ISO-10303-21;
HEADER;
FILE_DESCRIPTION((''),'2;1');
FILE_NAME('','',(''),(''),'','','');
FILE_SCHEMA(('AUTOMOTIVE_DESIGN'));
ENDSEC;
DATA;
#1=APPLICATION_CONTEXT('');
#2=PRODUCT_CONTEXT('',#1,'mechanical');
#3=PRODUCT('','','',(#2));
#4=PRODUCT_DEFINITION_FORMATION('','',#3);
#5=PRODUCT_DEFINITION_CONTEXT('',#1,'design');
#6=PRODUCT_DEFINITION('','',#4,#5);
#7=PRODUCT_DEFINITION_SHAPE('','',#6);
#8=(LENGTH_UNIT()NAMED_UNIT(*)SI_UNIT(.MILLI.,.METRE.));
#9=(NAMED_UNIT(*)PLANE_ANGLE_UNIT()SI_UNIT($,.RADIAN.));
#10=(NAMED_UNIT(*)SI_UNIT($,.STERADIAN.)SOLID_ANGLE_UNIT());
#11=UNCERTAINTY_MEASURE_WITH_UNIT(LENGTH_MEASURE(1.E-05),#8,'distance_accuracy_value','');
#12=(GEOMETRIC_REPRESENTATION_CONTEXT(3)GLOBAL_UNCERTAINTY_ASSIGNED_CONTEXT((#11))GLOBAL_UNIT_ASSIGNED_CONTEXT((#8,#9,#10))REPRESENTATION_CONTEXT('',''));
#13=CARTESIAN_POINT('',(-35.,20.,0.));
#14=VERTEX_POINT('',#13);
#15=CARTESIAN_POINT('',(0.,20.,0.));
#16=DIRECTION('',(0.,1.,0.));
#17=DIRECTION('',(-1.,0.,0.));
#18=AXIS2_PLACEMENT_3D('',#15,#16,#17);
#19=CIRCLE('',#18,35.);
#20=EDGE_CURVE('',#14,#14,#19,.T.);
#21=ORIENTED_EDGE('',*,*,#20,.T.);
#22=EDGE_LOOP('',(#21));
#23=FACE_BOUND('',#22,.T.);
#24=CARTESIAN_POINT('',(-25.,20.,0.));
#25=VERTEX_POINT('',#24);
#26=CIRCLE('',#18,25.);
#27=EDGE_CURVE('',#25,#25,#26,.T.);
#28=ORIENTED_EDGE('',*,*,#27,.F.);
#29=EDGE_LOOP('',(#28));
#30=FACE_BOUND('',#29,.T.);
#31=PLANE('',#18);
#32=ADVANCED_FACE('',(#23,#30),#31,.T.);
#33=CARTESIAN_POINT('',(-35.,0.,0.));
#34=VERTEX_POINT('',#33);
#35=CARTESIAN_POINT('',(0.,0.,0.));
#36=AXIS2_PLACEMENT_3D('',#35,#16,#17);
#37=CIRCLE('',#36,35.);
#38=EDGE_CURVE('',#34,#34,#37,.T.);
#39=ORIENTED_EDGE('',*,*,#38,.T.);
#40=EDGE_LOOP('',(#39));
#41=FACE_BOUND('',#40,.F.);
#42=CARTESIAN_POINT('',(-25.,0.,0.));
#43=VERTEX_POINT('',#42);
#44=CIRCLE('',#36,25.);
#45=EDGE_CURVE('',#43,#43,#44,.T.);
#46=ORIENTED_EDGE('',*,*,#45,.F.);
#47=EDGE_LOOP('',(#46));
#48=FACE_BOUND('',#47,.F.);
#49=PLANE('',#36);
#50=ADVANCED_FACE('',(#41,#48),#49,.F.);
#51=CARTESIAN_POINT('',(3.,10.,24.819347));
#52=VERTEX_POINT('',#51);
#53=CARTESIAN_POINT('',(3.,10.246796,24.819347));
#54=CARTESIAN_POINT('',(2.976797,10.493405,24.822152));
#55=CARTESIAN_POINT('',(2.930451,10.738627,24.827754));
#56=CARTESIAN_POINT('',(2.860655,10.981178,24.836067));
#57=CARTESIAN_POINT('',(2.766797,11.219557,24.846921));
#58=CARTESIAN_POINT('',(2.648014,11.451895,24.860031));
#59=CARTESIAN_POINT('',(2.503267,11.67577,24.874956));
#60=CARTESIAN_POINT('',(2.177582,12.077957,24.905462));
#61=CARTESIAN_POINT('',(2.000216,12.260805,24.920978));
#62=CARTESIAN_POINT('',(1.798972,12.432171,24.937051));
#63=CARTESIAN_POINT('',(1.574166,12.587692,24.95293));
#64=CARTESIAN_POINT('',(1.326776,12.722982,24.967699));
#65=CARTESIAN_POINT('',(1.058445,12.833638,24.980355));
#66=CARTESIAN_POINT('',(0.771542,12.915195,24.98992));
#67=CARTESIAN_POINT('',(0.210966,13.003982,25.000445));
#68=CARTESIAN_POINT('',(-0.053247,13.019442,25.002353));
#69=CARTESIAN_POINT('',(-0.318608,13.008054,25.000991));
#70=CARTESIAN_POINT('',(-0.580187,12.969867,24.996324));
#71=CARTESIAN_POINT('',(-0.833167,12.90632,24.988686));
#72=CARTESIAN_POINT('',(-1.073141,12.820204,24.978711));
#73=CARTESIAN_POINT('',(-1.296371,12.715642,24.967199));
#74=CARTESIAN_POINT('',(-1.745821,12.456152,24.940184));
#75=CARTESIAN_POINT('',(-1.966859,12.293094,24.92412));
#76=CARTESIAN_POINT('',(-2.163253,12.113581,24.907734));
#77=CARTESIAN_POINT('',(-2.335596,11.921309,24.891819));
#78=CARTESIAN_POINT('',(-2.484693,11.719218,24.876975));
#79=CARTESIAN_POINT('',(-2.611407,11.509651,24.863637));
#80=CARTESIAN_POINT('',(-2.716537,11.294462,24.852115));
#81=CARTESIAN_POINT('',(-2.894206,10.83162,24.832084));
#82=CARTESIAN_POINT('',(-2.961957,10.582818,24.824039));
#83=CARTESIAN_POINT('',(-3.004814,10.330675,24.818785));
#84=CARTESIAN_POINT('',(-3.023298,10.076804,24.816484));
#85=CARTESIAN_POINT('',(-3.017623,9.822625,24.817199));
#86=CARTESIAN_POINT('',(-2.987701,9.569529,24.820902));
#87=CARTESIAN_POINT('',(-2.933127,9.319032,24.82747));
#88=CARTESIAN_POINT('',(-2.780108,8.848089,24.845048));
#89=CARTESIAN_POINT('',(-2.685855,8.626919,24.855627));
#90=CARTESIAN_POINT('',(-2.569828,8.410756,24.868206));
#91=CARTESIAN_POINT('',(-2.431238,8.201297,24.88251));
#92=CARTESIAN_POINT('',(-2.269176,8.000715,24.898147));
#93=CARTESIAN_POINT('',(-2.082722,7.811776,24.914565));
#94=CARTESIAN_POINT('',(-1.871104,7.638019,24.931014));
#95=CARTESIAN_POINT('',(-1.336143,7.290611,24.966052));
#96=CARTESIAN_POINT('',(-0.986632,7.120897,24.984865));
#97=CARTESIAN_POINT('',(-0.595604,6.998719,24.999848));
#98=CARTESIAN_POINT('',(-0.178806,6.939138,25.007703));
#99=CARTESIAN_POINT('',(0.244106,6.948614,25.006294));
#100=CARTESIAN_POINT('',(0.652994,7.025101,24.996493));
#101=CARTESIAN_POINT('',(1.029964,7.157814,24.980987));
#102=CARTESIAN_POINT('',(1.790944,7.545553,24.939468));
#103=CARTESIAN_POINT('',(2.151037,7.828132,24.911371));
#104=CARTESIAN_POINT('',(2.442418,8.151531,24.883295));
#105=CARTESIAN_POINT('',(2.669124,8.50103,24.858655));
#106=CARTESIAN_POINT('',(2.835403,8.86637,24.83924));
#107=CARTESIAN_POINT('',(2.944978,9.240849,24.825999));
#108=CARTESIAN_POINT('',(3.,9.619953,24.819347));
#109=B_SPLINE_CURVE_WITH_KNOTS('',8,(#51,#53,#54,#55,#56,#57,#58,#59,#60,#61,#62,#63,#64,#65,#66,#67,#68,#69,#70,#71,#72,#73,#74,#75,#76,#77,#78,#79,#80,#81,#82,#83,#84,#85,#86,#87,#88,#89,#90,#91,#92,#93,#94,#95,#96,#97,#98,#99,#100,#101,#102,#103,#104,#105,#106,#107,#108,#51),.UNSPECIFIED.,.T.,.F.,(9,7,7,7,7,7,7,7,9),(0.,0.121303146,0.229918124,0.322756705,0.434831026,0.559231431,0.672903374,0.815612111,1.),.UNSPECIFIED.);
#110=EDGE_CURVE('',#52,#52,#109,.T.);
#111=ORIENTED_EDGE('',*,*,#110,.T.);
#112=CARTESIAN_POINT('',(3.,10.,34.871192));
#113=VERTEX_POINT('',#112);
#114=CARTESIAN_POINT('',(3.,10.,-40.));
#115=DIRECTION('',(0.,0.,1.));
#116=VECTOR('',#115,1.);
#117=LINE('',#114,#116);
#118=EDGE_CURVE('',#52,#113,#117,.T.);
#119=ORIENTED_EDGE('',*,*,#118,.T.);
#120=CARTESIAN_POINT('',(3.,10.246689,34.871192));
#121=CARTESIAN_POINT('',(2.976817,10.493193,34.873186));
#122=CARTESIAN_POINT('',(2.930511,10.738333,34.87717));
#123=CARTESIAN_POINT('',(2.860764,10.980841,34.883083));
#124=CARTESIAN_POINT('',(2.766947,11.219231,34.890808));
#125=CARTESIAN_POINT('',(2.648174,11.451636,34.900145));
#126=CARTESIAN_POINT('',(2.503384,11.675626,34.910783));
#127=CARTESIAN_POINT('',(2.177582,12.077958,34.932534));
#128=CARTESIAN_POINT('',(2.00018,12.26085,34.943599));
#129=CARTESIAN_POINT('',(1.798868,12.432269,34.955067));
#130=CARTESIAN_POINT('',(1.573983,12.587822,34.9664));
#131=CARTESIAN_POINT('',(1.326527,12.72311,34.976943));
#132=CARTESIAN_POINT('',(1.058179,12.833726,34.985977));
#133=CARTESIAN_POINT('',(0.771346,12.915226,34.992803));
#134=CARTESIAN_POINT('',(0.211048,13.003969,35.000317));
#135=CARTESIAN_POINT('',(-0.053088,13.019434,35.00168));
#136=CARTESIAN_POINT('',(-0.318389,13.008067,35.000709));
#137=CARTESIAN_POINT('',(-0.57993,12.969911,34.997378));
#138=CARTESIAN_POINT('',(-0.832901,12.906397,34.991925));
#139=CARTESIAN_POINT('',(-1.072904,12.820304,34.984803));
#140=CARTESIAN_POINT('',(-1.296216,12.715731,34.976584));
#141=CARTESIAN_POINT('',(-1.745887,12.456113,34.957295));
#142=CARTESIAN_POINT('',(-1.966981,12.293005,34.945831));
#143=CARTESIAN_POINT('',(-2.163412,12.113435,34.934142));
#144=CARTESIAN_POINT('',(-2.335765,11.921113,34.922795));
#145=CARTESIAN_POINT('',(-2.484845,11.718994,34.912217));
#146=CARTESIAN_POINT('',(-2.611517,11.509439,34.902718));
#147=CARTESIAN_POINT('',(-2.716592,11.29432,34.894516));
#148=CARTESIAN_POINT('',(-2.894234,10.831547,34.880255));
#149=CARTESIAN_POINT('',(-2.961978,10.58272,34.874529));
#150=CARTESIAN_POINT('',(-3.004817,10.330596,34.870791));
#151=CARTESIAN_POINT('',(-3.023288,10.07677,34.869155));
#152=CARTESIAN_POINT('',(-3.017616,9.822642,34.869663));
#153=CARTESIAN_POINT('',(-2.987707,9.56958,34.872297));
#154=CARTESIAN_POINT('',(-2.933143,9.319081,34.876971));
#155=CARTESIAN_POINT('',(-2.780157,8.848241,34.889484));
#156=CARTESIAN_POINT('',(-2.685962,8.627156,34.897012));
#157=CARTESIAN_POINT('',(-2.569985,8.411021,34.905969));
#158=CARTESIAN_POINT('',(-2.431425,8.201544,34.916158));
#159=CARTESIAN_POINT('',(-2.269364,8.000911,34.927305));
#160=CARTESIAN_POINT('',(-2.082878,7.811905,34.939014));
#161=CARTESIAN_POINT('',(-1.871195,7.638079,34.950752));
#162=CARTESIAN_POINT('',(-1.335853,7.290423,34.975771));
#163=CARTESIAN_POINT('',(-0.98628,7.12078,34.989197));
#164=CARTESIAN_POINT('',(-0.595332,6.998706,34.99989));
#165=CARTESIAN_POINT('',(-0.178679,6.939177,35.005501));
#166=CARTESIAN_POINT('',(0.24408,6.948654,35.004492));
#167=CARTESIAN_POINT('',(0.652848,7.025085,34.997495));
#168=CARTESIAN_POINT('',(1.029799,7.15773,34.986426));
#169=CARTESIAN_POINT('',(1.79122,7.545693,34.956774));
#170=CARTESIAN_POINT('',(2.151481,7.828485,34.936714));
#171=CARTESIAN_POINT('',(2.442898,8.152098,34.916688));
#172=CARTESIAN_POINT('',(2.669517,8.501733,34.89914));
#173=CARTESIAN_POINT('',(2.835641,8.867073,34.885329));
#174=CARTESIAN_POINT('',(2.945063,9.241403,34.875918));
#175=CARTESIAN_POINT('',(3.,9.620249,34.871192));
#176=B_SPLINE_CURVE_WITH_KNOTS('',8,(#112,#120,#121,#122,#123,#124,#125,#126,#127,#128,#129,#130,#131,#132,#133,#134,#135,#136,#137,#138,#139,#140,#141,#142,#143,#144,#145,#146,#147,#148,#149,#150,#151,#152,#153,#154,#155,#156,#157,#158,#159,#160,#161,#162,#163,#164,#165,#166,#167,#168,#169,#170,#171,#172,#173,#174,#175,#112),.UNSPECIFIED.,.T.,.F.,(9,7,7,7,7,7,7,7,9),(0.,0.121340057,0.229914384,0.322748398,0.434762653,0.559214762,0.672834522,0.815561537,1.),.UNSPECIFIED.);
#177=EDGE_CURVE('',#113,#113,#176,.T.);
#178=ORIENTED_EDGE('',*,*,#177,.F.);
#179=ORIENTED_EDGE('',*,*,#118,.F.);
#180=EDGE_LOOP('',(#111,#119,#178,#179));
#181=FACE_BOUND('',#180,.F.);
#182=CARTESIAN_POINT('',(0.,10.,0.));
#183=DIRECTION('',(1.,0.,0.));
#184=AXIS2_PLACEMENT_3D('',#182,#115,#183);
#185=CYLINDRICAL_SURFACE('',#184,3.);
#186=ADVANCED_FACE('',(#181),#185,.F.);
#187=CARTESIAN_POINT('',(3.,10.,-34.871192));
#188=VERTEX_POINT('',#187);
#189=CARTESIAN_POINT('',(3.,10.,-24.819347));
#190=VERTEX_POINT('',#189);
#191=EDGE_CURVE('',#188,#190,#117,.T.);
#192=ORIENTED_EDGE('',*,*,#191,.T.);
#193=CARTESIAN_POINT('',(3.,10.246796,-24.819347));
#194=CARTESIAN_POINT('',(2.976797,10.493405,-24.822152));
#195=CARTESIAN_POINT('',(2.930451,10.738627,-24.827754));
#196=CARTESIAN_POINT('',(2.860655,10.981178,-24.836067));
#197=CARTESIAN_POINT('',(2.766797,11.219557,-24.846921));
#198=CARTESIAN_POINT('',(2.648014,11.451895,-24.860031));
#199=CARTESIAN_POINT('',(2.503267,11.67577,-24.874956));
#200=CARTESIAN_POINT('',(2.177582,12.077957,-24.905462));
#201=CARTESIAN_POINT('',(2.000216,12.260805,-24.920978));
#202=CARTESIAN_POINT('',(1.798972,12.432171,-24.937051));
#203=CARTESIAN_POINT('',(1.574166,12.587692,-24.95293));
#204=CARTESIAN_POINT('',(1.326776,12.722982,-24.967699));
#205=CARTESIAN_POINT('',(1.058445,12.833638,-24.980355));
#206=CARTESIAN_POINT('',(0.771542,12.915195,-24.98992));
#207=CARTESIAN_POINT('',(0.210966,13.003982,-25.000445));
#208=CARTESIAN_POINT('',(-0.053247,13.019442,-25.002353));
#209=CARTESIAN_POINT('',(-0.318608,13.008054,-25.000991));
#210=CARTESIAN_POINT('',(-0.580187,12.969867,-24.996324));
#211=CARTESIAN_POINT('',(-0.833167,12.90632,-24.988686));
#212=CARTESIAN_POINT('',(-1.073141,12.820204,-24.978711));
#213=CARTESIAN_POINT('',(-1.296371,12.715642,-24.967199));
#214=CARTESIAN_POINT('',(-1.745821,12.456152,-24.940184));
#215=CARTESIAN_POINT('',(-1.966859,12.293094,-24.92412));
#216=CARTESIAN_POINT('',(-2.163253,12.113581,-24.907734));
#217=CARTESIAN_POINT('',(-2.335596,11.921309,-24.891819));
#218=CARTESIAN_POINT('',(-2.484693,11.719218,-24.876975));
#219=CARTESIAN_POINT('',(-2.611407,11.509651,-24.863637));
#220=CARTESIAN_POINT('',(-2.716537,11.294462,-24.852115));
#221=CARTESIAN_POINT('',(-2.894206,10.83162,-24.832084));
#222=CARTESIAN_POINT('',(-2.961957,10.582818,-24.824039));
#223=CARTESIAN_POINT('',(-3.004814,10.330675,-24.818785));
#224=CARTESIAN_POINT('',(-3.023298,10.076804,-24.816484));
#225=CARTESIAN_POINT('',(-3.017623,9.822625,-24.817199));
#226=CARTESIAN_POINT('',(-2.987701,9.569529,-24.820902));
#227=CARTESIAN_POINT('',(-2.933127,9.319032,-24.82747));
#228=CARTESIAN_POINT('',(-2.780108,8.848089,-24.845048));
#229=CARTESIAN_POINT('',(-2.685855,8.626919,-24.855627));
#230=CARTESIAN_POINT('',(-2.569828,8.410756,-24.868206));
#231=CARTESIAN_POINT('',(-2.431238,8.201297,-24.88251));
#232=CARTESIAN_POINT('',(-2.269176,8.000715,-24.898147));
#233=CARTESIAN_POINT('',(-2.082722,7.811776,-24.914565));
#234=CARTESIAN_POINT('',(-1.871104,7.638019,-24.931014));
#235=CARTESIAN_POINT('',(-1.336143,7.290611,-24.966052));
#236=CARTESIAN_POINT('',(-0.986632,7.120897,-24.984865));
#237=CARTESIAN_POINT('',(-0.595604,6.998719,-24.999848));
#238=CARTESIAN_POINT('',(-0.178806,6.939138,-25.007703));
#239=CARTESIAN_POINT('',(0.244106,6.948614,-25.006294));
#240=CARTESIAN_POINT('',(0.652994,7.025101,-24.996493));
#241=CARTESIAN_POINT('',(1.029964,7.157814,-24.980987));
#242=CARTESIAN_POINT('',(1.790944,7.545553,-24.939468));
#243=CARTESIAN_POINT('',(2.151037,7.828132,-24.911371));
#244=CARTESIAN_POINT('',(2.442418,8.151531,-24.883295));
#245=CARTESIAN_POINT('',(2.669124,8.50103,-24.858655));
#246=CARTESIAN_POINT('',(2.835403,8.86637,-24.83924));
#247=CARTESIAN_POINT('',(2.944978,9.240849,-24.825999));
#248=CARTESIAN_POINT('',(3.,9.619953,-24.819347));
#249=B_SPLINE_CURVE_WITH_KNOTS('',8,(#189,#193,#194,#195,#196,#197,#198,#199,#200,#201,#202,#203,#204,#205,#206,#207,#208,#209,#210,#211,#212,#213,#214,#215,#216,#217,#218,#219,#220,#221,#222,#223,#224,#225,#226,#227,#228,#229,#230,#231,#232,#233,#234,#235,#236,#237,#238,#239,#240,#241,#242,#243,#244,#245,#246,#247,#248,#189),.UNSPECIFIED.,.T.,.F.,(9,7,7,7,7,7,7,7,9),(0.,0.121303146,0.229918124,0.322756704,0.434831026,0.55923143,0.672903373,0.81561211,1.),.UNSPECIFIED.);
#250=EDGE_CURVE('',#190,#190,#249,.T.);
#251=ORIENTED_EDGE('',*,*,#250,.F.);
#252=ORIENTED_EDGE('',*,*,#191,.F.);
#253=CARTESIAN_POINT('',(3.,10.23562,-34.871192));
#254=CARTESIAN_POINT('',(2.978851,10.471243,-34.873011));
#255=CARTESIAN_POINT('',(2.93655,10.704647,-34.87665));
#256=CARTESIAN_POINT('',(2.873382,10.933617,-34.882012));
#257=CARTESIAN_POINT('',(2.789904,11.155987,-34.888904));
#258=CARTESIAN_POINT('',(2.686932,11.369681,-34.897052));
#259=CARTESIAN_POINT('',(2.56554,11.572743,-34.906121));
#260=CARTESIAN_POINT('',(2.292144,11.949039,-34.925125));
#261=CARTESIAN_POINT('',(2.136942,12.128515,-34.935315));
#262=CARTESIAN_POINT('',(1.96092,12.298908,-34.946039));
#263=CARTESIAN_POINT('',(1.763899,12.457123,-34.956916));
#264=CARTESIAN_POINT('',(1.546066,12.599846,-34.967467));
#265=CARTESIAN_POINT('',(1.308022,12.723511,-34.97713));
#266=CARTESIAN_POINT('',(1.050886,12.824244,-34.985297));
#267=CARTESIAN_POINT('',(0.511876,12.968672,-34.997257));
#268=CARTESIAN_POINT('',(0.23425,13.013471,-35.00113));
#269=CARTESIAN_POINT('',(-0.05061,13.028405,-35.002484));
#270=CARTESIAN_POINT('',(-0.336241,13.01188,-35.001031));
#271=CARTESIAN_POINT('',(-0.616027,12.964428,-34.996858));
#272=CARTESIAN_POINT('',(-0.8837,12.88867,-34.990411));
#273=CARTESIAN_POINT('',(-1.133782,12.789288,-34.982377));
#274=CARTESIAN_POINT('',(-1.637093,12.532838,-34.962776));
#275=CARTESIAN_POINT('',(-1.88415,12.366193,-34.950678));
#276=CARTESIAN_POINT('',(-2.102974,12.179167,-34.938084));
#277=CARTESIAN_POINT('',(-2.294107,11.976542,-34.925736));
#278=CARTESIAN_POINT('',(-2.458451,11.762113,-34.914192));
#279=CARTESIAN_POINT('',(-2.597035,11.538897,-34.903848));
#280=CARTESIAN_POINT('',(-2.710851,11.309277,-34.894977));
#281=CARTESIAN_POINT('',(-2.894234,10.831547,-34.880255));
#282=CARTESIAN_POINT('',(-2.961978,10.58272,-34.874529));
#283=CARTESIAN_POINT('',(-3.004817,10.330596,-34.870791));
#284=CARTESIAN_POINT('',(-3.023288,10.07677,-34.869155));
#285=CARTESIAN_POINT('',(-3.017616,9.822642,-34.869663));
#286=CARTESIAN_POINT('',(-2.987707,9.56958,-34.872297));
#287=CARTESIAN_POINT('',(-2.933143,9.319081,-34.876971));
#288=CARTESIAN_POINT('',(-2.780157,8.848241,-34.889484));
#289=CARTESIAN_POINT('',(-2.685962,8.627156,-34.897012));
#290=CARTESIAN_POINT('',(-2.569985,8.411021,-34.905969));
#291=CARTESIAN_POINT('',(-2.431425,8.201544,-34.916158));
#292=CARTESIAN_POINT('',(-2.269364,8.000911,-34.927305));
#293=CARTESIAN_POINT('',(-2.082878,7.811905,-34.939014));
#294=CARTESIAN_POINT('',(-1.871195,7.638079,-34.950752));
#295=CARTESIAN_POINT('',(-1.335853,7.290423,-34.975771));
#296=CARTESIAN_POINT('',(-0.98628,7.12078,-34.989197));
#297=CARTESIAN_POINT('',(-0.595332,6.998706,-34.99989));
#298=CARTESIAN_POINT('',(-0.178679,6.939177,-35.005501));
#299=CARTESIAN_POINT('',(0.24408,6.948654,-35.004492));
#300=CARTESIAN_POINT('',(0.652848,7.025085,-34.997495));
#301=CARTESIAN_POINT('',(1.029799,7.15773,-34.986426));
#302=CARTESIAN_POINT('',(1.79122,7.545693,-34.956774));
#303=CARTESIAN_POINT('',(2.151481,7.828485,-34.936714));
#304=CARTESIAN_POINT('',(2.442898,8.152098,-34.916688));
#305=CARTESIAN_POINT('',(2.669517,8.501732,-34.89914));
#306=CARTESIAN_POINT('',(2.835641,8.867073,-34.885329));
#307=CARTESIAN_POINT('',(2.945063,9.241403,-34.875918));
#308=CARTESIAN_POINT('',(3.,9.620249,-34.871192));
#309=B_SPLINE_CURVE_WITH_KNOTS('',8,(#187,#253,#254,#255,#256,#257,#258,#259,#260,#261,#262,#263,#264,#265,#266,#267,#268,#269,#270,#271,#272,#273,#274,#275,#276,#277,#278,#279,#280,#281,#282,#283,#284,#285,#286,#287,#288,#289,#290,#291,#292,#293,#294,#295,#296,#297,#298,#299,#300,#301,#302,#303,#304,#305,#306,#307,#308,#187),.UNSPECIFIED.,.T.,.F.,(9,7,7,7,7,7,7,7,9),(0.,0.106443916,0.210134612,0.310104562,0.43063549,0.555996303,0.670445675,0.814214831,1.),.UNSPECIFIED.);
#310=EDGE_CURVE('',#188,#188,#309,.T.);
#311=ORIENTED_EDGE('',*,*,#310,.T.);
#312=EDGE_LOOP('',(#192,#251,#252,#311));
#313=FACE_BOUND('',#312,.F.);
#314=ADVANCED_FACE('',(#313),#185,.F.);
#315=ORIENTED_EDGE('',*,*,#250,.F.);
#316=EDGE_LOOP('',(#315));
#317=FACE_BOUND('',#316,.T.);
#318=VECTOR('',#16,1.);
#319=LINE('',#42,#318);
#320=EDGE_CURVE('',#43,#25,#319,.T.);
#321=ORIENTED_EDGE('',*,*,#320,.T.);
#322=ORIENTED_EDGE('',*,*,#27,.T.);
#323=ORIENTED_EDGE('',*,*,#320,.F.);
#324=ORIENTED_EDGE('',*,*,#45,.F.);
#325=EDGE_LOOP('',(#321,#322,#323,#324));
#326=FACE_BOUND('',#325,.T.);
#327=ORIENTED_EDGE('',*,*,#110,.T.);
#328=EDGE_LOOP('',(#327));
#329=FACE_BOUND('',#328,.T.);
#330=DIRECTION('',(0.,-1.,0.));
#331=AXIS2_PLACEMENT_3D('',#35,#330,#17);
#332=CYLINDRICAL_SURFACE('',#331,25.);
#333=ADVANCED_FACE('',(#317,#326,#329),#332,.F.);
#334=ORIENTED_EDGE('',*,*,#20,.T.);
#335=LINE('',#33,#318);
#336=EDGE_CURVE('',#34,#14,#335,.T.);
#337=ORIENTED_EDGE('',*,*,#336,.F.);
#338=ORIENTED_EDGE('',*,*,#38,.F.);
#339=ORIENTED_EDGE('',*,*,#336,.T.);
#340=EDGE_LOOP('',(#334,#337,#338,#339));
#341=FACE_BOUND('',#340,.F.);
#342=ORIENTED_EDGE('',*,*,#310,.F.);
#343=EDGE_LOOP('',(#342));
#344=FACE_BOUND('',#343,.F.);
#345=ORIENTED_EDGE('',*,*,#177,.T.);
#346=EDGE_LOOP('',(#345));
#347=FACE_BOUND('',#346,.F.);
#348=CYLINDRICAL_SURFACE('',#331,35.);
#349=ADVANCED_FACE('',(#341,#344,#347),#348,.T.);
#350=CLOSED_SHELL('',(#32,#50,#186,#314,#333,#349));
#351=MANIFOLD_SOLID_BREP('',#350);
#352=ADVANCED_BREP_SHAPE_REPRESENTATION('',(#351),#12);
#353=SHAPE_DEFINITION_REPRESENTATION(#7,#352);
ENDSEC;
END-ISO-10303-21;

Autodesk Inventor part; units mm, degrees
ref_plane "YZ Plane" through (0, 0, 0) normal (1, 0, 0) x (0, 1, 0)
ref_plane "XZ Plane" through (0, 0, 0) normal (0, 1, 0) x (-1, 0, 0)
ref_plane "XY Plane" through (0, 0, 0) normal (0, 0, 1) x (1, 0, 0)
sketch "Boceto1" plane through (0, 0, 0) normal (0, 1, 0) x (-1, 0, 0)
  circle A0 centre (0, 0) radius 35
  circle A1 centre (0, 0) radius 25
  dimension "d0" = 70
  dimension "d1" = 50
extrude "Extrusión1" add sketch "Boceto1" along normal blind 20
sketch "Boceto2" plane through (0, 0, 0) normal (0, 0, 1) x (1, 0, 0)
  circle A0 centre (0, 10) radius 3
  point P0 (0, 0)
  dimension "d4" = 6
extrude "Extrusión2" cut sketch "Boceto2" against normal blind 40 and the other way blind 40
properties part number "Collar" material "Plástico PC/ABS"
